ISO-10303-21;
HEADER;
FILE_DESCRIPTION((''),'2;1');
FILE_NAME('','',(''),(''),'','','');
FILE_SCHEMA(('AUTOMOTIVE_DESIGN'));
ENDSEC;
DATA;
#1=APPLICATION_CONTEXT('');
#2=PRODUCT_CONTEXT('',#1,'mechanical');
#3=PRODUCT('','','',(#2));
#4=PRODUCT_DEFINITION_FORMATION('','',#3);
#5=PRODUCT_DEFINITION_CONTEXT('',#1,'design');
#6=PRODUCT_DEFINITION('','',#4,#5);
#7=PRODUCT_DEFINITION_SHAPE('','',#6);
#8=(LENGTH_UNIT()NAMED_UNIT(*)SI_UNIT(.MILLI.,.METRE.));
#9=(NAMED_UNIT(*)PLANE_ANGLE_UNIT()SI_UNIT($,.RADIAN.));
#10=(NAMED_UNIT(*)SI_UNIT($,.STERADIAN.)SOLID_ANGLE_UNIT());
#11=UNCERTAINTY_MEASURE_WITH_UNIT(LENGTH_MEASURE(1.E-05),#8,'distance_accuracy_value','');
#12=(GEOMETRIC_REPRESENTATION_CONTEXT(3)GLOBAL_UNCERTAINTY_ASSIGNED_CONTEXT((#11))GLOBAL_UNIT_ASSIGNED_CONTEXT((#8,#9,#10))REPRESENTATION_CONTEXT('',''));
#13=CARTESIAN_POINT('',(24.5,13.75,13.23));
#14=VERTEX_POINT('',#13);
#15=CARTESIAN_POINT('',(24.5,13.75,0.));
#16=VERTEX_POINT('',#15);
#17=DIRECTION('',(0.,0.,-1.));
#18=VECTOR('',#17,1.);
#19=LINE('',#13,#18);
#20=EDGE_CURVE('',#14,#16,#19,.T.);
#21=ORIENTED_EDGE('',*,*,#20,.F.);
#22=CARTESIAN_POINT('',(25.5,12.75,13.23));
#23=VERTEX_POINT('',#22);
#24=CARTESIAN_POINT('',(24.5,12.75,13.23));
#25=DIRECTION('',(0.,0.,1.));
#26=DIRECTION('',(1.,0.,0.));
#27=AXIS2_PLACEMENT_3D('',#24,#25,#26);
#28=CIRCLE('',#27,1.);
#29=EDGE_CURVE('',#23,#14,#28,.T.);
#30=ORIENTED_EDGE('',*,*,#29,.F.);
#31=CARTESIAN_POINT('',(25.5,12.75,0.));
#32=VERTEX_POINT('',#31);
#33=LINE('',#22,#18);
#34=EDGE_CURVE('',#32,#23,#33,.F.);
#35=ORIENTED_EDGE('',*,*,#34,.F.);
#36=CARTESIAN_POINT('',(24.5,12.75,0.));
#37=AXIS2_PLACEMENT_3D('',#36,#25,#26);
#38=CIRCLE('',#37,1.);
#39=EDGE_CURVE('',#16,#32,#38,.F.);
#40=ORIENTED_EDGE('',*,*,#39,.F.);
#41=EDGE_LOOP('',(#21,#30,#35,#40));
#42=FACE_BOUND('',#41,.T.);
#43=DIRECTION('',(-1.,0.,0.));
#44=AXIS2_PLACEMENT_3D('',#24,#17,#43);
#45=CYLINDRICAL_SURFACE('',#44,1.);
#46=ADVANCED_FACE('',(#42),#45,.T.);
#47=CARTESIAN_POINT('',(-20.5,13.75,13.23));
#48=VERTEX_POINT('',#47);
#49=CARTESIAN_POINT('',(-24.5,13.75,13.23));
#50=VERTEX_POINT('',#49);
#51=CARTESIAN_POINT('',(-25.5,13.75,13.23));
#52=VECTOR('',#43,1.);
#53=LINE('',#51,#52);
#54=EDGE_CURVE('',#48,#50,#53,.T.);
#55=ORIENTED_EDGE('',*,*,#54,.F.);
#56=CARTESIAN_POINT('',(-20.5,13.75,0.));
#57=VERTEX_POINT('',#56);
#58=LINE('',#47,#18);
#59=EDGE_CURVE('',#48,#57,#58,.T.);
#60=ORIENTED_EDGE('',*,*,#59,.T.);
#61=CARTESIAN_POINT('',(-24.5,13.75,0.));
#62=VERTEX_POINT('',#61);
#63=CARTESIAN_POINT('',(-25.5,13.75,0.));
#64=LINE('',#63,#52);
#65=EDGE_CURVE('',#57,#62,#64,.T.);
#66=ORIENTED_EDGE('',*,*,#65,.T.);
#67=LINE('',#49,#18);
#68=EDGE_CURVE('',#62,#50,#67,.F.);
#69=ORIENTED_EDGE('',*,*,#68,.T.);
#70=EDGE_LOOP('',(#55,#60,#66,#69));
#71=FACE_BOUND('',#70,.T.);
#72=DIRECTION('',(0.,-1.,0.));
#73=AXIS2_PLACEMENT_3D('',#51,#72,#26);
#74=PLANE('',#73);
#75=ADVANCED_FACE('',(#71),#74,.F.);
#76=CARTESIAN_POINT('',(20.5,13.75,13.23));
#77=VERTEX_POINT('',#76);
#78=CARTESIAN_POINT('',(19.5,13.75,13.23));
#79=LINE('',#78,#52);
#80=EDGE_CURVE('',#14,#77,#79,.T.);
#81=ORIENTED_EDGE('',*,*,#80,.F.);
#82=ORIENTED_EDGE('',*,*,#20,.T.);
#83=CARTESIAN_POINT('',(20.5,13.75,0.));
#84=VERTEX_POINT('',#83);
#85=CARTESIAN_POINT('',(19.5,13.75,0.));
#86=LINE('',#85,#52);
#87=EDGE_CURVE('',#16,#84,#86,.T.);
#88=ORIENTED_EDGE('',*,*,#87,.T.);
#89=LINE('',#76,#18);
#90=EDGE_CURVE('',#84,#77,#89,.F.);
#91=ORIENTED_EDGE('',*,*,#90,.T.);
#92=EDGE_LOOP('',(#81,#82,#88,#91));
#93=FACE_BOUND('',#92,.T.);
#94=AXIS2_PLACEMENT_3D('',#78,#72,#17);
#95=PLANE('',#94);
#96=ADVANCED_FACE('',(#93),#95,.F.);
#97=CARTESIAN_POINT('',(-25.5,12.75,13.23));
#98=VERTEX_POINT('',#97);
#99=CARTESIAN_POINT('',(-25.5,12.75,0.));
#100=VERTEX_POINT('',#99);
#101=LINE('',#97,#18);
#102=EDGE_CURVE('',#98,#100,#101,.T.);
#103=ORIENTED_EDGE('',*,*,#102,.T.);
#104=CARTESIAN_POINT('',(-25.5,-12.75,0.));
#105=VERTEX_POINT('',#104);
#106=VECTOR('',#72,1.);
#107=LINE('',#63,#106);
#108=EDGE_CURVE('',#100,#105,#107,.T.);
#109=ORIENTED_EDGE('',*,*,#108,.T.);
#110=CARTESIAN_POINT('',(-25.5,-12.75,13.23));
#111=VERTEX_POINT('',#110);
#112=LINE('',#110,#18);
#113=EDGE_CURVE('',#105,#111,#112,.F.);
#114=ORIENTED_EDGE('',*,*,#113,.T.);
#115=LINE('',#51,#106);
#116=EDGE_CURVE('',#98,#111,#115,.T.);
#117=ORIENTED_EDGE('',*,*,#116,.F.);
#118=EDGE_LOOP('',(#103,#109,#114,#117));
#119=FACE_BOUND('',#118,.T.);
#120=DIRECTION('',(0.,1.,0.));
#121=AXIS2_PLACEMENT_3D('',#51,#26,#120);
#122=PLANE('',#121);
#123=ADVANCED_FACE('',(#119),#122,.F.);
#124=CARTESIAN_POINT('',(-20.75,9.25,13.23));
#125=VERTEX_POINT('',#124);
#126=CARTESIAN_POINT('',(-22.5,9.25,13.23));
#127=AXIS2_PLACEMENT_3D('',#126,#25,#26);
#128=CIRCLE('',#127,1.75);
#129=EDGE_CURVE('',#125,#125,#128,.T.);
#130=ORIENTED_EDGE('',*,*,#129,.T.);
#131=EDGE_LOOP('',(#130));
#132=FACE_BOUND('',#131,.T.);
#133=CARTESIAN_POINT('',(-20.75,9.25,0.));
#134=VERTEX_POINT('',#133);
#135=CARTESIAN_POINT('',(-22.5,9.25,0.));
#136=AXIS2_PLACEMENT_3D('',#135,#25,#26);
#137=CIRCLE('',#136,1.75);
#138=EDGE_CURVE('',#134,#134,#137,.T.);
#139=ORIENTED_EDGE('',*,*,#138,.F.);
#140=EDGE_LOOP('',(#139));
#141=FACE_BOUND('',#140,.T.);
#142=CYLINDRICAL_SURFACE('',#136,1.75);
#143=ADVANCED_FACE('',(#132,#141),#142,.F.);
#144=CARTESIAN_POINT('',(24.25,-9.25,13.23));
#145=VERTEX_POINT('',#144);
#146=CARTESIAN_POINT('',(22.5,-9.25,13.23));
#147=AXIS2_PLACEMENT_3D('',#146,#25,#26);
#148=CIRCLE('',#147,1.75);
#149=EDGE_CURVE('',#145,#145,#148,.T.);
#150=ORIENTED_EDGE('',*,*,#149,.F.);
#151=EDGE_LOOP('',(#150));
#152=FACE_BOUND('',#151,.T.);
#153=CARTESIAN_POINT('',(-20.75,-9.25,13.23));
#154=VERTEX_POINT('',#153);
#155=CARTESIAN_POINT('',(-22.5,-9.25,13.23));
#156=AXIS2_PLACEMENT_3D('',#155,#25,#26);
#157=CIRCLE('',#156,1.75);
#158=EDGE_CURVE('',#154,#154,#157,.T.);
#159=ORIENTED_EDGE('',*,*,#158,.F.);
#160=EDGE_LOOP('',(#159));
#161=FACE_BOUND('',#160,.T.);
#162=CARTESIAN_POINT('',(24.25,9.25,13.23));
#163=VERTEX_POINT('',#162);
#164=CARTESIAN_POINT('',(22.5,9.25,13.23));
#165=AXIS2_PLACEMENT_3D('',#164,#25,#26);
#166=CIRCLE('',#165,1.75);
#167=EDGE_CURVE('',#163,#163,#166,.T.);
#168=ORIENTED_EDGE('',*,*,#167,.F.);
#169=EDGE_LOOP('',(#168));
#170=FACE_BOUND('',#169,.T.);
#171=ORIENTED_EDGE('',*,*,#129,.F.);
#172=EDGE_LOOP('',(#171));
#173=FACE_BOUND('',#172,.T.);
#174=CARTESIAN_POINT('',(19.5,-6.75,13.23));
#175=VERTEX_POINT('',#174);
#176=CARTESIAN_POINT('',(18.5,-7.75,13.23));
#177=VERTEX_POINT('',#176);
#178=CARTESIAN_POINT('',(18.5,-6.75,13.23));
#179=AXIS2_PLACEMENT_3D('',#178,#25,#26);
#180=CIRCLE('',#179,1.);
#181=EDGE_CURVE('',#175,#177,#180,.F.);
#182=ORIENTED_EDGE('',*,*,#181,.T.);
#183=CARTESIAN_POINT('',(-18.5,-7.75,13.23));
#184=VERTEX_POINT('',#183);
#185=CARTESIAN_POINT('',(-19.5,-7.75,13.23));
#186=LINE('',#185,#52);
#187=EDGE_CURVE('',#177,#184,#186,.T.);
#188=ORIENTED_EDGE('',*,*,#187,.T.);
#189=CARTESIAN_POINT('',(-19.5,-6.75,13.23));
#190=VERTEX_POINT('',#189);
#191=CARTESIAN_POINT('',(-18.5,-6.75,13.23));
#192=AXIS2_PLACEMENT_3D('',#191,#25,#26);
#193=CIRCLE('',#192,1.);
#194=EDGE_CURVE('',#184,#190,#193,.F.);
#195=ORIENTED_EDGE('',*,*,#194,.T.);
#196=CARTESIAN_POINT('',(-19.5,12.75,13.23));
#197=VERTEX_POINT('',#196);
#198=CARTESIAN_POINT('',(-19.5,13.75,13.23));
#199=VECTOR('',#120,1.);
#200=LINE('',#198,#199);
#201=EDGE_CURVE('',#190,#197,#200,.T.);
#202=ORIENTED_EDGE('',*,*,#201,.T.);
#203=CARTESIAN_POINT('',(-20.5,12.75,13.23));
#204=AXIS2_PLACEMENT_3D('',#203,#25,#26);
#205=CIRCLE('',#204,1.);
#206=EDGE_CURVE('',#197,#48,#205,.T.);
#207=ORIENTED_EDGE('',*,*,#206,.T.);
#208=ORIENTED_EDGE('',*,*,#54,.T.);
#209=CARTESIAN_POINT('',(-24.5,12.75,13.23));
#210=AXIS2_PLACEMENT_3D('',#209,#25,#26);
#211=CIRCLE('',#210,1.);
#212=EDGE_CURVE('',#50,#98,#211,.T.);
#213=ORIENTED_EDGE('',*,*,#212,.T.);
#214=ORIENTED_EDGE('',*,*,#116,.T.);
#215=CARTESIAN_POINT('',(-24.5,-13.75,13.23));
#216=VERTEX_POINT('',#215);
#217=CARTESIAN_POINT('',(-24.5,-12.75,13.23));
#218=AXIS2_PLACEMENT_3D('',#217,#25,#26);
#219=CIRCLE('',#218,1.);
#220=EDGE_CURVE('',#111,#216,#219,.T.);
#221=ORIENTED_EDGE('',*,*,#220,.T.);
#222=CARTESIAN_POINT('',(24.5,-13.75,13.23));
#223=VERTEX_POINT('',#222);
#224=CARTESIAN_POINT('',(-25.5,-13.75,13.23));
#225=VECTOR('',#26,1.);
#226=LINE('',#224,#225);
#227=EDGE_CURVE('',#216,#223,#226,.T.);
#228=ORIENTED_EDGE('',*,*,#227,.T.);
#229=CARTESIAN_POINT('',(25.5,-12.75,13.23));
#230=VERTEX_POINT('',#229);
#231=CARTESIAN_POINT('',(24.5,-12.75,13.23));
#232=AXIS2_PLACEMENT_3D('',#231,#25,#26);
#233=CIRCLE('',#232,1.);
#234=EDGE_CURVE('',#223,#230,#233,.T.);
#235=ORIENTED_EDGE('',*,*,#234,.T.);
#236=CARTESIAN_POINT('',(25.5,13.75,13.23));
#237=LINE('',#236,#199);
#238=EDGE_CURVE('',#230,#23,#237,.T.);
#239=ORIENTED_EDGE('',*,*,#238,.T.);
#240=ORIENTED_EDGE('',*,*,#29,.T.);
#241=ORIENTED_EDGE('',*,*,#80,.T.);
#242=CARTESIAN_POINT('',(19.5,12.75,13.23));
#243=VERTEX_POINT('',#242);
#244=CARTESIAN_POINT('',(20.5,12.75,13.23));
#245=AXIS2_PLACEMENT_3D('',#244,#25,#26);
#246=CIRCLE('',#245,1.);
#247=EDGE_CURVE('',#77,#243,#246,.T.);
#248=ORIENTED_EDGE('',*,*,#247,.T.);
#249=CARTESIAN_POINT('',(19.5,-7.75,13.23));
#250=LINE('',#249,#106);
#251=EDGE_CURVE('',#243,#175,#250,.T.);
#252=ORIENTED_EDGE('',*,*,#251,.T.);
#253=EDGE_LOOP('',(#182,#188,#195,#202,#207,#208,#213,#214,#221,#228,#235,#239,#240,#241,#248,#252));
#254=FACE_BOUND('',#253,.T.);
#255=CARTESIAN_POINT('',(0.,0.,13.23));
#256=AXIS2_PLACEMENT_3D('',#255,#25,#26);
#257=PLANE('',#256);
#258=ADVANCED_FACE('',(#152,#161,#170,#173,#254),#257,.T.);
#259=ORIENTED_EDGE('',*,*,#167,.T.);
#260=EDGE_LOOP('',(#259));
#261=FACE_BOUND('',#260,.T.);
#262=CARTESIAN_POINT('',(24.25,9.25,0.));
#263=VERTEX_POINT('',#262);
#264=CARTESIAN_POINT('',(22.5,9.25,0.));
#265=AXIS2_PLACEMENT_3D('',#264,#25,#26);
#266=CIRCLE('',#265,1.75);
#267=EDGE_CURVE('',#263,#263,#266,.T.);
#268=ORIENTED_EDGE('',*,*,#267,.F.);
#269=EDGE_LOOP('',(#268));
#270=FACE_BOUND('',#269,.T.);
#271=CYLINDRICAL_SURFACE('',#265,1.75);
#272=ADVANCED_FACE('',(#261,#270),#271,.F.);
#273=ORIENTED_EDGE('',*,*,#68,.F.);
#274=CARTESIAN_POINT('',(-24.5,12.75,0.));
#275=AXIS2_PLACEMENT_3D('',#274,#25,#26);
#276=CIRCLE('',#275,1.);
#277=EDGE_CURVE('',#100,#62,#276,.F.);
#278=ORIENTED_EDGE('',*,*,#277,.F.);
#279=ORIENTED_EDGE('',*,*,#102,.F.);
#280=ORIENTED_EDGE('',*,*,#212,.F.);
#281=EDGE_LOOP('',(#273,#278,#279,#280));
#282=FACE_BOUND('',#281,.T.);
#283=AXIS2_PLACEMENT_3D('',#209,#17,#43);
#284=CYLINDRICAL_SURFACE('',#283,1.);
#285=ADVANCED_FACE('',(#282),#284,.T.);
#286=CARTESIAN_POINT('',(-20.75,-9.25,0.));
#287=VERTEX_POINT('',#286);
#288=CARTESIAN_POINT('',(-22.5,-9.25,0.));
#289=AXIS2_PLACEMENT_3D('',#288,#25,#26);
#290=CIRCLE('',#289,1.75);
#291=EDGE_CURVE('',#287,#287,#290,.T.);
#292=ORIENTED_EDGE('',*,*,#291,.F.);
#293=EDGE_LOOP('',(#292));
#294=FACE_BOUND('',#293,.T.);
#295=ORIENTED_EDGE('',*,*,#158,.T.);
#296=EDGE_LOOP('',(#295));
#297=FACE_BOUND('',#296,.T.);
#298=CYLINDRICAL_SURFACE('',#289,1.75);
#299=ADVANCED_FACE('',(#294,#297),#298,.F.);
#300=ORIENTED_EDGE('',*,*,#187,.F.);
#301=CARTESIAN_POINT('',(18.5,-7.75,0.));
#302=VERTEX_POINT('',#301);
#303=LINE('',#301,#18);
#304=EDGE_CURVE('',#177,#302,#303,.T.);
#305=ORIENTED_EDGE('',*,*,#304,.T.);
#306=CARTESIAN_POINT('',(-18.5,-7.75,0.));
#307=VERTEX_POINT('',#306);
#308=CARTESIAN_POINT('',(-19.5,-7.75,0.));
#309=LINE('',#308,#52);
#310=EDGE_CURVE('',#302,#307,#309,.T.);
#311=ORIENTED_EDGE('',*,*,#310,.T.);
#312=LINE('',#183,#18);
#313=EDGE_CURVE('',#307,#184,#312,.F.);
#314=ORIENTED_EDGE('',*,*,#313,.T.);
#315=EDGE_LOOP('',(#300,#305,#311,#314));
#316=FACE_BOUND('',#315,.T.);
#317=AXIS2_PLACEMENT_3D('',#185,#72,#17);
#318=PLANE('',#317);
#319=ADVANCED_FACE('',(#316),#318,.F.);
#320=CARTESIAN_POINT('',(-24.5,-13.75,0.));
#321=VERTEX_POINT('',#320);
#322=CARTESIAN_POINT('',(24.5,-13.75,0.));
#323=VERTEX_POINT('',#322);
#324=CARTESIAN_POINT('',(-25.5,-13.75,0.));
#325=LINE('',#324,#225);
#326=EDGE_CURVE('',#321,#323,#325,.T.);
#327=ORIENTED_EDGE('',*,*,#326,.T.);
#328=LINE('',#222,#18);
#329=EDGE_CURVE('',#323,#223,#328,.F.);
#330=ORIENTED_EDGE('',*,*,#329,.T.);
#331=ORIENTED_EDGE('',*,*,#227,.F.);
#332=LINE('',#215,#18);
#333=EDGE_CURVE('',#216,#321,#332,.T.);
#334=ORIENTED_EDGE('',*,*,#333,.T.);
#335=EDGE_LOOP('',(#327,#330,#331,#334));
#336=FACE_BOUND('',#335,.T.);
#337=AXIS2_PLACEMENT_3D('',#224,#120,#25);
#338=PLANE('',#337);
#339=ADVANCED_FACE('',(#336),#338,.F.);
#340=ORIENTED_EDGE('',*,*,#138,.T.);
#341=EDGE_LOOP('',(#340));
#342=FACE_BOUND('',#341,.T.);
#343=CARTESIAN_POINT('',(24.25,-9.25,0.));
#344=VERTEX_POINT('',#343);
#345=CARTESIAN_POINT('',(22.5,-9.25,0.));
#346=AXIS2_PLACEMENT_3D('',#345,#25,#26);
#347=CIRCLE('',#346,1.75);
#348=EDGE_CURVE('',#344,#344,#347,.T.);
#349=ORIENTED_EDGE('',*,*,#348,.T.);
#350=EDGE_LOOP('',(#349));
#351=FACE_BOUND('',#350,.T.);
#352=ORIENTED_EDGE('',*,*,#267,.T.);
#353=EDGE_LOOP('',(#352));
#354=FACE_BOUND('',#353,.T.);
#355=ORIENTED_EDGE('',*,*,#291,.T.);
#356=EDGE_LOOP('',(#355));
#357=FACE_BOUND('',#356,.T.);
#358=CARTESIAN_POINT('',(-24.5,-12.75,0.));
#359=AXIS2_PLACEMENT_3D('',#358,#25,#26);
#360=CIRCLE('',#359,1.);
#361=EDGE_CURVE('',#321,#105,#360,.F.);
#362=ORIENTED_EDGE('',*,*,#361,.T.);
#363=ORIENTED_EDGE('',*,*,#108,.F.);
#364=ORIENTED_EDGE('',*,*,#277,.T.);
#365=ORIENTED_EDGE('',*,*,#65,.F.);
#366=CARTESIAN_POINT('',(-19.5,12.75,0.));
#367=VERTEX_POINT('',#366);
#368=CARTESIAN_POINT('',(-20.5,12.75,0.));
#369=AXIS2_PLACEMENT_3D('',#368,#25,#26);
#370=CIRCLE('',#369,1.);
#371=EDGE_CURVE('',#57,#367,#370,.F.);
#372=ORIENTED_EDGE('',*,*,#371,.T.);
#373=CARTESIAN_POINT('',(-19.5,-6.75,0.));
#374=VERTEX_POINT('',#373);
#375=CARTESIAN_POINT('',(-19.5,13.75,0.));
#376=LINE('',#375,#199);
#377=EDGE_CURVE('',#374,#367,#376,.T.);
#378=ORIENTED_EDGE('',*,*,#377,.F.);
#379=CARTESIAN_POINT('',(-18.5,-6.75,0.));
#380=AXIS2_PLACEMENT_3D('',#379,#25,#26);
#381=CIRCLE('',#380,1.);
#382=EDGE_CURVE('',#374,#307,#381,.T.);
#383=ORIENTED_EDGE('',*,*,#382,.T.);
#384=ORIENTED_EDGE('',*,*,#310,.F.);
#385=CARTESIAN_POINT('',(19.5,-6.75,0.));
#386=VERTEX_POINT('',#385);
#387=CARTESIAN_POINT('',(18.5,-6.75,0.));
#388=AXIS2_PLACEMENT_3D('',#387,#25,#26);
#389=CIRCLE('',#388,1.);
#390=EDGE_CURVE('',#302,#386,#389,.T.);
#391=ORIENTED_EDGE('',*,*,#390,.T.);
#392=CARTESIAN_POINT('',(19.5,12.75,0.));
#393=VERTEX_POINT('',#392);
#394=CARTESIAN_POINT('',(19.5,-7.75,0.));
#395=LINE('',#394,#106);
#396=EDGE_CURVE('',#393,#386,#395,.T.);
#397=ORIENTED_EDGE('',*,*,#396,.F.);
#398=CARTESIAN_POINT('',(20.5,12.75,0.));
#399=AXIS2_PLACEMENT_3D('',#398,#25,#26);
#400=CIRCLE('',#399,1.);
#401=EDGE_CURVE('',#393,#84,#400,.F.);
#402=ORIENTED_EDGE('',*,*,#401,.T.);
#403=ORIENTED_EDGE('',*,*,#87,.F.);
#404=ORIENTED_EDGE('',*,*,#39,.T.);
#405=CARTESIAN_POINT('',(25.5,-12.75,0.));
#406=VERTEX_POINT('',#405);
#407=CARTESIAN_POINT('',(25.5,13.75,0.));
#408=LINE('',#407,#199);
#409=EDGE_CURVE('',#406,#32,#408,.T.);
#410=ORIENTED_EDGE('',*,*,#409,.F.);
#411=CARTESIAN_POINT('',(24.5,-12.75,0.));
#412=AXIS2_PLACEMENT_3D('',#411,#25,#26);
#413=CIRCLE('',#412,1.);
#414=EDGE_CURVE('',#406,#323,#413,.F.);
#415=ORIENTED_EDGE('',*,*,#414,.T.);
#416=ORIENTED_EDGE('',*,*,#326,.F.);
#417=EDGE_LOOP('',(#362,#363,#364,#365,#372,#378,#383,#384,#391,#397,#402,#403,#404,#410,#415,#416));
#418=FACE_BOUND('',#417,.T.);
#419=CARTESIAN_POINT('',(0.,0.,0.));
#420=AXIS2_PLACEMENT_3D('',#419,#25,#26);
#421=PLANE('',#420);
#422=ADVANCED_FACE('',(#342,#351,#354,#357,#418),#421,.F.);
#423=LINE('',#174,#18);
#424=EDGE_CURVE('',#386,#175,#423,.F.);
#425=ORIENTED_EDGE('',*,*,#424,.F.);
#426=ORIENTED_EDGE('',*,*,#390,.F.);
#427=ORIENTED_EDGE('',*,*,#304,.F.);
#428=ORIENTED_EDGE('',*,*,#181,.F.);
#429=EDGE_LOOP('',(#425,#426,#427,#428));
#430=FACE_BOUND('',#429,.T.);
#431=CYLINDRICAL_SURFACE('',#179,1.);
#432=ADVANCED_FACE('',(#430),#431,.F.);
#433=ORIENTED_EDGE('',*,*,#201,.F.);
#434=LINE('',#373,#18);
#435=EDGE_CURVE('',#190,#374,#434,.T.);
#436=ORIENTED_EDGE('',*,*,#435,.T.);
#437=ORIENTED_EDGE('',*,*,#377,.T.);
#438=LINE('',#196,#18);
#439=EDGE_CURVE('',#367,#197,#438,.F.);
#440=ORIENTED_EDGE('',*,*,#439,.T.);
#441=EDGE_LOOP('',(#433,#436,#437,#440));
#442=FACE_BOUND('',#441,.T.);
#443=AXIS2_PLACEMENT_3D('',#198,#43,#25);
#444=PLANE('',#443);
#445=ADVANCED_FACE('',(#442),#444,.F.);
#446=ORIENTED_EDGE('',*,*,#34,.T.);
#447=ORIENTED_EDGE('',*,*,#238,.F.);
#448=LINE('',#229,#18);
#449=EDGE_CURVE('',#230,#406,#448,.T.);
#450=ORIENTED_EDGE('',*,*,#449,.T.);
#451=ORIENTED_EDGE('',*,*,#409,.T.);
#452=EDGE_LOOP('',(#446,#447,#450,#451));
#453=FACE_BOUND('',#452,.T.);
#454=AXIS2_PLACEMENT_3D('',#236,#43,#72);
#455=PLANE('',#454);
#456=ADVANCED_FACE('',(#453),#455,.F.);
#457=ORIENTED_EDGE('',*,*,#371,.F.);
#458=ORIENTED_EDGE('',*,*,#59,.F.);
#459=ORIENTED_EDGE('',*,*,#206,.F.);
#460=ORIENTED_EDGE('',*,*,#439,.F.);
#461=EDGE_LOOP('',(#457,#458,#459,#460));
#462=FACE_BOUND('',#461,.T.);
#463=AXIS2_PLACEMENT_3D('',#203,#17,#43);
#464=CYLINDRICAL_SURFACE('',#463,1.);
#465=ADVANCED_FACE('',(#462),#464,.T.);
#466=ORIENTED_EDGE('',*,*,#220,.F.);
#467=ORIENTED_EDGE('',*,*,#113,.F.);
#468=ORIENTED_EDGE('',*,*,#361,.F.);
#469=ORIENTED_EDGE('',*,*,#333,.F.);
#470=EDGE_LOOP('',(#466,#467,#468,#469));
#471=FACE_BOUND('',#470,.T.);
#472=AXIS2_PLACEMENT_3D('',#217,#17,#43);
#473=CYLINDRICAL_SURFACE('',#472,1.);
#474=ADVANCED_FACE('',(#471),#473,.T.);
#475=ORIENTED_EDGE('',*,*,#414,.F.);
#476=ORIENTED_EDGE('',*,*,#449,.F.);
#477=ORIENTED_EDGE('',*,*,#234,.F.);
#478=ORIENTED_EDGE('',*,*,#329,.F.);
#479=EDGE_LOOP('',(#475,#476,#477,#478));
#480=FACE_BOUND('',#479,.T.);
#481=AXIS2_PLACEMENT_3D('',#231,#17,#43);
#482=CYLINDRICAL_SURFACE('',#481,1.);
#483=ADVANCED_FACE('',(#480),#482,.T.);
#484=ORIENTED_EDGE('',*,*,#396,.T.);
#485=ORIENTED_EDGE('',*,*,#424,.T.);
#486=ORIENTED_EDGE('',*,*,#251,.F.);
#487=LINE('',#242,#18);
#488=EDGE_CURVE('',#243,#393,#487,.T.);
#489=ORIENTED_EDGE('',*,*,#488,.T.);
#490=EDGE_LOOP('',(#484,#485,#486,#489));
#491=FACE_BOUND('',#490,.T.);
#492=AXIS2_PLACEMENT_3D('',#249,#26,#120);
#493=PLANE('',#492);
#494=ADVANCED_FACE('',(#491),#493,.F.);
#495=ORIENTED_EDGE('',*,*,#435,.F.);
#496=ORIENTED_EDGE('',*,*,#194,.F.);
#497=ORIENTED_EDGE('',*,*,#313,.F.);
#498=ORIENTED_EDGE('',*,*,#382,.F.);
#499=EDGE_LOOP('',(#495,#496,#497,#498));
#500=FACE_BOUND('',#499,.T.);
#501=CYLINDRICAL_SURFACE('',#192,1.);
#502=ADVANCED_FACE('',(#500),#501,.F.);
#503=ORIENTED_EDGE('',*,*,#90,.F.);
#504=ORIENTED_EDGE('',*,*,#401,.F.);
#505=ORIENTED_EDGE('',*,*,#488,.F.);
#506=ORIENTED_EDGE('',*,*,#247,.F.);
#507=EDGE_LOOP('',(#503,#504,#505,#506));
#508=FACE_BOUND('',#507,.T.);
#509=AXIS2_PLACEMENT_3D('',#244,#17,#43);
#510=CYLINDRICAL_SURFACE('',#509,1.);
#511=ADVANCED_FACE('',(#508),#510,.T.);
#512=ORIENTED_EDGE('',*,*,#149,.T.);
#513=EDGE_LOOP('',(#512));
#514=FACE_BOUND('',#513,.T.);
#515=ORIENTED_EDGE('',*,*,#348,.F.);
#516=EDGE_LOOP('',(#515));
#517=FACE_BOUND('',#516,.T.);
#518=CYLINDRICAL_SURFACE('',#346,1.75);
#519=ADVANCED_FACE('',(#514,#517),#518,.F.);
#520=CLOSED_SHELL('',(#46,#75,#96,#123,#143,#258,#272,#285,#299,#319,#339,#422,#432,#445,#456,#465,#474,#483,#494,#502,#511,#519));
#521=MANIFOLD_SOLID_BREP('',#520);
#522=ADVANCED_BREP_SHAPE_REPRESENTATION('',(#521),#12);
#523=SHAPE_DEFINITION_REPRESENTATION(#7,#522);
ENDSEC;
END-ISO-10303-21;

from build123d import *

# Parameters (mm, degrees)
EXTRUDE_1_DEPTH     = 13.23
SKETCH_3_R          = 1.75
CUT_EXTRUDE_2_DEPTH = 32.848789616
FILLET_1_R          = 1


with BuildPart() as part:
    # 草图1 → 凸台-拉伸1 (new body)
    with BuildSketch(Plane.XY):
        Polygon((-19.5, 13.75), (-19.5, -7.75), (19.5, -7.75), (19.5, 13.75), (25.5, 13.75), (25.5, -13.75), (-25.5, -13.75), (-25.5, 13.75), align=None)
    extrude(amount=EXTRUDE_1_DEPTH)

    # 草图3 → 切除-拉伸2 (cut, through all)
    with BuildSketch(Plane.XY.offset(13.23)):
        with Locations((-22.5, 9.25)):
            Circle(SKETCH_3_R)
        with Locations((-22.5, -9.25)):
            Circle(SKETCH_3_R)
        with Locations((22.5, -9.25)):
            Circle(SKETCH_3_R)
        with Locations((22.5, 9.25)):
            Circle(SKETCH_3_R)
    extrude(amount=-CUT_EXTRUDE_2_DEPTH, mode=Mode.SUBTRACT)

    # 圆角1
    fillet_1_edges = [part.edges().sort_by_distance(p)[0] for p in [
        (25.5, -13.75, 6.615),
        (-25.5, -13.75, 6.615),
        (-25.5, 13.75, 6.615),
        (-19.5, 13.75, 6.615),
        (-19.5, -7.75, 6.615),
        (19.5, -7.75, 6.615),
        (19.5, 13.75, 6.615),
        (25.5, 13.75, 6.615),
    ]]
    fillet(fillet_1_edges, radius=FILLET_1_R)


solid = part.part
